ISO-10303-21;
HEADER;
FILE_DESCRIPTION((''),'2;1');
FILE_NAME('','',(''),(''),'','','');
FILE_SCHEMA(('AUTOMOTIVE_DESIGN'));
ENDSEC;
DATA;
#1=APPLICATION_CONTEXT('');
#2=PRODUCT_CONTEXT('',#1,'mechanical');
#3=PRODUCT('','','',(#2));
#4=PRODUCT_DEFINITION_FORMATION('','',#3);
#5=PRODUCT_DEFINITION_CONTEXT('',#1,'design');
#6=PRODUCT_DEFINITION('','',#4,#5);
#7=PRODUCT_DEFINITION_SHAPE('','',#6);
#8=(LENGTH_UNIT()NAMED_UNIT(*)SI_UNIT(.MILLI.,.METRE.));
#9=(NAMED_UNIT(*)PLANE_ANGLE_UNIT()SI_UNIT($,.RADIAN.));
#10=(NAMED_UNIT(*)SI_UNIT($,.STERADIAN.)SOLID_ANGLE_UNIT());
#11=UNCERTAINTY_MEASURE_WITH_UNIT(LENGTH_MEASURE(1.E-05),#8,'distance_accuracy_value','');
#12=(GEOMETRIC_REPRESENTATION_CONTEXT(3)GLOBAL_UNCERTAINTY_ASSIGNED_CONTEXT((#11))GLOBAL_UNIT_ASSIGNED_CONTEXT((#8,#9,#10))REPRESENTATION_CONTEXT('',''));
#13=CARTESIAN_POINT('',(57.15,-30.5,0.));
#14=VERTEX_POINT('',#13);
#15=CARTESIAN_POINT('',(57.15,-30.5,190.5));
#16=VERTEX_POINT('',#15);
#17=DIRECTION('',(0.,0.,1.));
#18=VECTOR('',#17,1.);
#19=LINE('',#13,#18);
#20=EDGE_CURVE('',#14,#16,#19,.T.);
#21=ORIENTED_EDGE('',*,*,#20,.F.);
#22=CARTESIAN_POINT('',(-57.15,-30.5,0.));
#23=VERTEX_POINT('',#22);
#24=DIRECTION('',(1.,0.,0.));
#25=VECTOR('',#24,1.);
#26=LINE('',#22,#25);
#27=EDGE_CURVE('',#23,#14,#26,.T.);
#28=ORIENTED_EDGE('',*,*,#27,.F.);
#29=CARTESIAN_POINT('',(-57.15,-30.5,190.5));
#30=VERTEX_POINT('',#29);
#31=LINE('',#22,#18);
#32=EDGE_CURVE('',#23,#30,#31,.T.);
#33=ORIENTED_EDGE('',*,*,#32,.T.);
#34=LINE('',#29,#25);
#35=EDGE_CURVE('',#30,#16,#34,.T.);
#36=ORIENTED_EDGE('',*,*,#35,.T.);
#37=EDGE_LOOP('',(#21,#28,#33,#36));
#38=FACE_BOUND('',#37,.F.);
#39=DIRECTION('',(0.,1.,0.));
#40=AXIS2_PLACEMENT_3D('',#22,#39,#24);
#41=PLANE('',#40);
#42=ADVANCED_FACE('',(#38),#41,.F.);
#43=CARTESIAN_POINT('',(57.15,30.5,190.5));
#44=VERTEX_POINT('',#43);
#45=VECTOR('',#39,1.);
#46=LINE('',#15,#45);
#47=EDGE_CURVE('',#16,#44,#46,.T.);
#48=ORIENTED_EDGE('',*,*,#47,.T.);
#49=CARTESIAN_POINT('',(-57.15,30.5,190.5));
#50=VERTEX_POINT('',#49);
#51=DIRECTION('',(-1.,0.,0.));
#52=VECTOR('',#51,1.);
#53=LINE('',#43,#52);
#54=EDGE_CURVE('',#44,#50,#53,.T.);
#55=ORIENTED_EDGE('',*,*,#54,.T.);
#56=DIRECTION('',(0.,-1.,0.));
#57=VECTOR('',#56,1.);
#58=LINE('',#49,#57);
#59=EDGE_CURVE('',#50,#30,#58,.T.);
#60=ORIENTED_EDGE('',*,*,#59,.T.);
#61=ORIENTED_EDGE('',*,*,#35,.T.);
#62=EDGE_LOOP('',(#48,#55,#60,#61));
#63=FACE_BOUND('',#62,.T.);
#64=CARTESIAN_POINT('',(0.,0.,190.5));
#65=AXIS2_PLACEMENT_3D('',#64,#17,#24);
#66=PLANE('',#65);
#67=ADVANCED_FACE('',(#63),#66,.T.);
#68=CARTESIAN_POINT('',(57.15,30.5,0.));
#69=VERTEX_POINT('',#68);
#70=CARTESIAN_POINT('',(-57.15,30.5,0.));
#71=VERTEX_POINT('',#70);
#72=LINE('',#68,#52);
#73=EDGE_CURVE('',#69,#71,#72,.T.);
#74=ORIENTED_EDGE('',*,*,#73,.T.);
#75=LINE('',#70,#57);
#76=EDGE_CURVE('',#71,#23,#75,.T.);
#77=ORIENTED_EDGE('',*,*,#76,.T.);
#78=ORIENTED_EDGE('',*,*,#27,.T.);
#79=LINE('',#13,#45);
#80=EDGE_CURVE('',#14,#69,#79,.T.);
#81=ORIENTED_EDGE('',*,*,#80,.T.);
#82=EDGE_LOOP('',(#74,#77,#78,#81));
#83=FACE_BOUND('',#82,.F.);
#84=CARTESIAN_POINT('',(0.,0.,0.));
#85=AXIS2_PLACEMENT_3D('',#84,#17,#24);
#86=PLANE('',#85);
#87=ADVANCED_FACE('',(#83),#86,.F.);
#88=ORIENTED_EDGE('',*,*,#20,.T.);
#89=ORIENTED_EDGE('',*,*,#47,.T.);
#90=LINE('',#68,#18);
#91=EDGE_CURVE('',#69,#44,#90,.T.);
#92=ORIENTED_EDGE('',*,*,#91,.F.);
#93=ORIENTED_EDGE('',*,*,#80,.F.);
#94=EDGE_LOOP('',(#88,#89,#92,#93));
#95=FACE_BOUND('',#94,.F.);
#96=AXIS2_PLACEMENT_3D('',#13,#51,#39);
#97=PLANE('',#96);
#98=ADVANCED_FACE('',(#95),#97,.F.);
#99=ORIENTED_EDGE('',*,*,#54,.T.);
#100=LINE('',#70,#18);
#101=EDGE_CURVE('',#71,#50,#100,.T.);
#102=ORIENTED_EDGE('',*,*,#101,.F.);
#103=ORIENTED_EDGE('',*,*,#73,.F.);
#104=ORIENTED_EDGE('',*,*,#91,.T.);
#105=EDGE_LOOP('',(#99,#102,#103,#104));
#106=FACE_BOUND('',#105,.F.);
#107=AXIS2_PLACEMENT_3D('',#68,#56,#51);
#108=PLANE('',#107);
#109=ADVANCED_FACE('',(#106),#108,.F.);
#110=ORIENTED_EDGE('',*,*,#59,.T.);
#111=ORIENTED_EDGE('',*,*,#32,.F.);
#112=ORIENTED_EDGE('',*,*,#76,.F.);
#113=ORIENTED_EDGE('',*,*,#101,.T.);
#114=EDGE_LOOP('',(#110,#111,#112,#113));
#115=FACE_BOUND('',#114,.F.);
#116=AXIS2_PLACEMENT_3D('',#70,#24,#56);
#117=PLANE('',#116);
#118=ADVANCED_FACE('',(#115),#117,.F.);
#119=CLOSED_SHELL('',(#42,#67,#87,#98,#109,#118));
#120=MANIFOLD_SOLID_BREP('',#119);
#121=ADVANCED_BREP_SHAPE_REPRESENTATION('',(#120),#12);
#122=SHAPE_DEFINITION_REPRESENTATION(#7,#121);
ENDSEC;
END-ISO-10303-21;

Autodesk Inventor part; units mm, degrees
ref_plane "YZ Plane" through (0, 0, 0) normal (1, 0, 0) x (0, 1, 0)
ref_plane "XZ Plane" through (0, 0, 0) normal (0, 1, 0) x (-1, 0, 0)
ref_plane "XY Plane" through (0, 0, 0) normal (0, 0, 1) x (1, 0, 0)
sketch "Sketch1" plane through (0, 0, 0) normal (0, 0, 1) x (1, 0, 0)
  line L0 (57.15, 30.5) -> (-57.15, 30.5)
  line L1 (-57.15, 30.5) -> (-57.15, -30.5)
  line L2 (-57.15, -30.5) -> (57.15, -30.5)
  line L3 (57.15, -30.5) -> (57.15, 30.5)
  line L4 (57.15, 30.5) -> (-57.15, -30.5) construction
  line L5 (-57.15, 30.5) -> (57.15, -30.5) construction
  point P0 (0, 0)
  dimension "d0" = 114.3
  dimension "d1" = 61
extrude "Extrusion1" add sketch "Sketch1" along normal blind 190.5
properties part number "PSU"
